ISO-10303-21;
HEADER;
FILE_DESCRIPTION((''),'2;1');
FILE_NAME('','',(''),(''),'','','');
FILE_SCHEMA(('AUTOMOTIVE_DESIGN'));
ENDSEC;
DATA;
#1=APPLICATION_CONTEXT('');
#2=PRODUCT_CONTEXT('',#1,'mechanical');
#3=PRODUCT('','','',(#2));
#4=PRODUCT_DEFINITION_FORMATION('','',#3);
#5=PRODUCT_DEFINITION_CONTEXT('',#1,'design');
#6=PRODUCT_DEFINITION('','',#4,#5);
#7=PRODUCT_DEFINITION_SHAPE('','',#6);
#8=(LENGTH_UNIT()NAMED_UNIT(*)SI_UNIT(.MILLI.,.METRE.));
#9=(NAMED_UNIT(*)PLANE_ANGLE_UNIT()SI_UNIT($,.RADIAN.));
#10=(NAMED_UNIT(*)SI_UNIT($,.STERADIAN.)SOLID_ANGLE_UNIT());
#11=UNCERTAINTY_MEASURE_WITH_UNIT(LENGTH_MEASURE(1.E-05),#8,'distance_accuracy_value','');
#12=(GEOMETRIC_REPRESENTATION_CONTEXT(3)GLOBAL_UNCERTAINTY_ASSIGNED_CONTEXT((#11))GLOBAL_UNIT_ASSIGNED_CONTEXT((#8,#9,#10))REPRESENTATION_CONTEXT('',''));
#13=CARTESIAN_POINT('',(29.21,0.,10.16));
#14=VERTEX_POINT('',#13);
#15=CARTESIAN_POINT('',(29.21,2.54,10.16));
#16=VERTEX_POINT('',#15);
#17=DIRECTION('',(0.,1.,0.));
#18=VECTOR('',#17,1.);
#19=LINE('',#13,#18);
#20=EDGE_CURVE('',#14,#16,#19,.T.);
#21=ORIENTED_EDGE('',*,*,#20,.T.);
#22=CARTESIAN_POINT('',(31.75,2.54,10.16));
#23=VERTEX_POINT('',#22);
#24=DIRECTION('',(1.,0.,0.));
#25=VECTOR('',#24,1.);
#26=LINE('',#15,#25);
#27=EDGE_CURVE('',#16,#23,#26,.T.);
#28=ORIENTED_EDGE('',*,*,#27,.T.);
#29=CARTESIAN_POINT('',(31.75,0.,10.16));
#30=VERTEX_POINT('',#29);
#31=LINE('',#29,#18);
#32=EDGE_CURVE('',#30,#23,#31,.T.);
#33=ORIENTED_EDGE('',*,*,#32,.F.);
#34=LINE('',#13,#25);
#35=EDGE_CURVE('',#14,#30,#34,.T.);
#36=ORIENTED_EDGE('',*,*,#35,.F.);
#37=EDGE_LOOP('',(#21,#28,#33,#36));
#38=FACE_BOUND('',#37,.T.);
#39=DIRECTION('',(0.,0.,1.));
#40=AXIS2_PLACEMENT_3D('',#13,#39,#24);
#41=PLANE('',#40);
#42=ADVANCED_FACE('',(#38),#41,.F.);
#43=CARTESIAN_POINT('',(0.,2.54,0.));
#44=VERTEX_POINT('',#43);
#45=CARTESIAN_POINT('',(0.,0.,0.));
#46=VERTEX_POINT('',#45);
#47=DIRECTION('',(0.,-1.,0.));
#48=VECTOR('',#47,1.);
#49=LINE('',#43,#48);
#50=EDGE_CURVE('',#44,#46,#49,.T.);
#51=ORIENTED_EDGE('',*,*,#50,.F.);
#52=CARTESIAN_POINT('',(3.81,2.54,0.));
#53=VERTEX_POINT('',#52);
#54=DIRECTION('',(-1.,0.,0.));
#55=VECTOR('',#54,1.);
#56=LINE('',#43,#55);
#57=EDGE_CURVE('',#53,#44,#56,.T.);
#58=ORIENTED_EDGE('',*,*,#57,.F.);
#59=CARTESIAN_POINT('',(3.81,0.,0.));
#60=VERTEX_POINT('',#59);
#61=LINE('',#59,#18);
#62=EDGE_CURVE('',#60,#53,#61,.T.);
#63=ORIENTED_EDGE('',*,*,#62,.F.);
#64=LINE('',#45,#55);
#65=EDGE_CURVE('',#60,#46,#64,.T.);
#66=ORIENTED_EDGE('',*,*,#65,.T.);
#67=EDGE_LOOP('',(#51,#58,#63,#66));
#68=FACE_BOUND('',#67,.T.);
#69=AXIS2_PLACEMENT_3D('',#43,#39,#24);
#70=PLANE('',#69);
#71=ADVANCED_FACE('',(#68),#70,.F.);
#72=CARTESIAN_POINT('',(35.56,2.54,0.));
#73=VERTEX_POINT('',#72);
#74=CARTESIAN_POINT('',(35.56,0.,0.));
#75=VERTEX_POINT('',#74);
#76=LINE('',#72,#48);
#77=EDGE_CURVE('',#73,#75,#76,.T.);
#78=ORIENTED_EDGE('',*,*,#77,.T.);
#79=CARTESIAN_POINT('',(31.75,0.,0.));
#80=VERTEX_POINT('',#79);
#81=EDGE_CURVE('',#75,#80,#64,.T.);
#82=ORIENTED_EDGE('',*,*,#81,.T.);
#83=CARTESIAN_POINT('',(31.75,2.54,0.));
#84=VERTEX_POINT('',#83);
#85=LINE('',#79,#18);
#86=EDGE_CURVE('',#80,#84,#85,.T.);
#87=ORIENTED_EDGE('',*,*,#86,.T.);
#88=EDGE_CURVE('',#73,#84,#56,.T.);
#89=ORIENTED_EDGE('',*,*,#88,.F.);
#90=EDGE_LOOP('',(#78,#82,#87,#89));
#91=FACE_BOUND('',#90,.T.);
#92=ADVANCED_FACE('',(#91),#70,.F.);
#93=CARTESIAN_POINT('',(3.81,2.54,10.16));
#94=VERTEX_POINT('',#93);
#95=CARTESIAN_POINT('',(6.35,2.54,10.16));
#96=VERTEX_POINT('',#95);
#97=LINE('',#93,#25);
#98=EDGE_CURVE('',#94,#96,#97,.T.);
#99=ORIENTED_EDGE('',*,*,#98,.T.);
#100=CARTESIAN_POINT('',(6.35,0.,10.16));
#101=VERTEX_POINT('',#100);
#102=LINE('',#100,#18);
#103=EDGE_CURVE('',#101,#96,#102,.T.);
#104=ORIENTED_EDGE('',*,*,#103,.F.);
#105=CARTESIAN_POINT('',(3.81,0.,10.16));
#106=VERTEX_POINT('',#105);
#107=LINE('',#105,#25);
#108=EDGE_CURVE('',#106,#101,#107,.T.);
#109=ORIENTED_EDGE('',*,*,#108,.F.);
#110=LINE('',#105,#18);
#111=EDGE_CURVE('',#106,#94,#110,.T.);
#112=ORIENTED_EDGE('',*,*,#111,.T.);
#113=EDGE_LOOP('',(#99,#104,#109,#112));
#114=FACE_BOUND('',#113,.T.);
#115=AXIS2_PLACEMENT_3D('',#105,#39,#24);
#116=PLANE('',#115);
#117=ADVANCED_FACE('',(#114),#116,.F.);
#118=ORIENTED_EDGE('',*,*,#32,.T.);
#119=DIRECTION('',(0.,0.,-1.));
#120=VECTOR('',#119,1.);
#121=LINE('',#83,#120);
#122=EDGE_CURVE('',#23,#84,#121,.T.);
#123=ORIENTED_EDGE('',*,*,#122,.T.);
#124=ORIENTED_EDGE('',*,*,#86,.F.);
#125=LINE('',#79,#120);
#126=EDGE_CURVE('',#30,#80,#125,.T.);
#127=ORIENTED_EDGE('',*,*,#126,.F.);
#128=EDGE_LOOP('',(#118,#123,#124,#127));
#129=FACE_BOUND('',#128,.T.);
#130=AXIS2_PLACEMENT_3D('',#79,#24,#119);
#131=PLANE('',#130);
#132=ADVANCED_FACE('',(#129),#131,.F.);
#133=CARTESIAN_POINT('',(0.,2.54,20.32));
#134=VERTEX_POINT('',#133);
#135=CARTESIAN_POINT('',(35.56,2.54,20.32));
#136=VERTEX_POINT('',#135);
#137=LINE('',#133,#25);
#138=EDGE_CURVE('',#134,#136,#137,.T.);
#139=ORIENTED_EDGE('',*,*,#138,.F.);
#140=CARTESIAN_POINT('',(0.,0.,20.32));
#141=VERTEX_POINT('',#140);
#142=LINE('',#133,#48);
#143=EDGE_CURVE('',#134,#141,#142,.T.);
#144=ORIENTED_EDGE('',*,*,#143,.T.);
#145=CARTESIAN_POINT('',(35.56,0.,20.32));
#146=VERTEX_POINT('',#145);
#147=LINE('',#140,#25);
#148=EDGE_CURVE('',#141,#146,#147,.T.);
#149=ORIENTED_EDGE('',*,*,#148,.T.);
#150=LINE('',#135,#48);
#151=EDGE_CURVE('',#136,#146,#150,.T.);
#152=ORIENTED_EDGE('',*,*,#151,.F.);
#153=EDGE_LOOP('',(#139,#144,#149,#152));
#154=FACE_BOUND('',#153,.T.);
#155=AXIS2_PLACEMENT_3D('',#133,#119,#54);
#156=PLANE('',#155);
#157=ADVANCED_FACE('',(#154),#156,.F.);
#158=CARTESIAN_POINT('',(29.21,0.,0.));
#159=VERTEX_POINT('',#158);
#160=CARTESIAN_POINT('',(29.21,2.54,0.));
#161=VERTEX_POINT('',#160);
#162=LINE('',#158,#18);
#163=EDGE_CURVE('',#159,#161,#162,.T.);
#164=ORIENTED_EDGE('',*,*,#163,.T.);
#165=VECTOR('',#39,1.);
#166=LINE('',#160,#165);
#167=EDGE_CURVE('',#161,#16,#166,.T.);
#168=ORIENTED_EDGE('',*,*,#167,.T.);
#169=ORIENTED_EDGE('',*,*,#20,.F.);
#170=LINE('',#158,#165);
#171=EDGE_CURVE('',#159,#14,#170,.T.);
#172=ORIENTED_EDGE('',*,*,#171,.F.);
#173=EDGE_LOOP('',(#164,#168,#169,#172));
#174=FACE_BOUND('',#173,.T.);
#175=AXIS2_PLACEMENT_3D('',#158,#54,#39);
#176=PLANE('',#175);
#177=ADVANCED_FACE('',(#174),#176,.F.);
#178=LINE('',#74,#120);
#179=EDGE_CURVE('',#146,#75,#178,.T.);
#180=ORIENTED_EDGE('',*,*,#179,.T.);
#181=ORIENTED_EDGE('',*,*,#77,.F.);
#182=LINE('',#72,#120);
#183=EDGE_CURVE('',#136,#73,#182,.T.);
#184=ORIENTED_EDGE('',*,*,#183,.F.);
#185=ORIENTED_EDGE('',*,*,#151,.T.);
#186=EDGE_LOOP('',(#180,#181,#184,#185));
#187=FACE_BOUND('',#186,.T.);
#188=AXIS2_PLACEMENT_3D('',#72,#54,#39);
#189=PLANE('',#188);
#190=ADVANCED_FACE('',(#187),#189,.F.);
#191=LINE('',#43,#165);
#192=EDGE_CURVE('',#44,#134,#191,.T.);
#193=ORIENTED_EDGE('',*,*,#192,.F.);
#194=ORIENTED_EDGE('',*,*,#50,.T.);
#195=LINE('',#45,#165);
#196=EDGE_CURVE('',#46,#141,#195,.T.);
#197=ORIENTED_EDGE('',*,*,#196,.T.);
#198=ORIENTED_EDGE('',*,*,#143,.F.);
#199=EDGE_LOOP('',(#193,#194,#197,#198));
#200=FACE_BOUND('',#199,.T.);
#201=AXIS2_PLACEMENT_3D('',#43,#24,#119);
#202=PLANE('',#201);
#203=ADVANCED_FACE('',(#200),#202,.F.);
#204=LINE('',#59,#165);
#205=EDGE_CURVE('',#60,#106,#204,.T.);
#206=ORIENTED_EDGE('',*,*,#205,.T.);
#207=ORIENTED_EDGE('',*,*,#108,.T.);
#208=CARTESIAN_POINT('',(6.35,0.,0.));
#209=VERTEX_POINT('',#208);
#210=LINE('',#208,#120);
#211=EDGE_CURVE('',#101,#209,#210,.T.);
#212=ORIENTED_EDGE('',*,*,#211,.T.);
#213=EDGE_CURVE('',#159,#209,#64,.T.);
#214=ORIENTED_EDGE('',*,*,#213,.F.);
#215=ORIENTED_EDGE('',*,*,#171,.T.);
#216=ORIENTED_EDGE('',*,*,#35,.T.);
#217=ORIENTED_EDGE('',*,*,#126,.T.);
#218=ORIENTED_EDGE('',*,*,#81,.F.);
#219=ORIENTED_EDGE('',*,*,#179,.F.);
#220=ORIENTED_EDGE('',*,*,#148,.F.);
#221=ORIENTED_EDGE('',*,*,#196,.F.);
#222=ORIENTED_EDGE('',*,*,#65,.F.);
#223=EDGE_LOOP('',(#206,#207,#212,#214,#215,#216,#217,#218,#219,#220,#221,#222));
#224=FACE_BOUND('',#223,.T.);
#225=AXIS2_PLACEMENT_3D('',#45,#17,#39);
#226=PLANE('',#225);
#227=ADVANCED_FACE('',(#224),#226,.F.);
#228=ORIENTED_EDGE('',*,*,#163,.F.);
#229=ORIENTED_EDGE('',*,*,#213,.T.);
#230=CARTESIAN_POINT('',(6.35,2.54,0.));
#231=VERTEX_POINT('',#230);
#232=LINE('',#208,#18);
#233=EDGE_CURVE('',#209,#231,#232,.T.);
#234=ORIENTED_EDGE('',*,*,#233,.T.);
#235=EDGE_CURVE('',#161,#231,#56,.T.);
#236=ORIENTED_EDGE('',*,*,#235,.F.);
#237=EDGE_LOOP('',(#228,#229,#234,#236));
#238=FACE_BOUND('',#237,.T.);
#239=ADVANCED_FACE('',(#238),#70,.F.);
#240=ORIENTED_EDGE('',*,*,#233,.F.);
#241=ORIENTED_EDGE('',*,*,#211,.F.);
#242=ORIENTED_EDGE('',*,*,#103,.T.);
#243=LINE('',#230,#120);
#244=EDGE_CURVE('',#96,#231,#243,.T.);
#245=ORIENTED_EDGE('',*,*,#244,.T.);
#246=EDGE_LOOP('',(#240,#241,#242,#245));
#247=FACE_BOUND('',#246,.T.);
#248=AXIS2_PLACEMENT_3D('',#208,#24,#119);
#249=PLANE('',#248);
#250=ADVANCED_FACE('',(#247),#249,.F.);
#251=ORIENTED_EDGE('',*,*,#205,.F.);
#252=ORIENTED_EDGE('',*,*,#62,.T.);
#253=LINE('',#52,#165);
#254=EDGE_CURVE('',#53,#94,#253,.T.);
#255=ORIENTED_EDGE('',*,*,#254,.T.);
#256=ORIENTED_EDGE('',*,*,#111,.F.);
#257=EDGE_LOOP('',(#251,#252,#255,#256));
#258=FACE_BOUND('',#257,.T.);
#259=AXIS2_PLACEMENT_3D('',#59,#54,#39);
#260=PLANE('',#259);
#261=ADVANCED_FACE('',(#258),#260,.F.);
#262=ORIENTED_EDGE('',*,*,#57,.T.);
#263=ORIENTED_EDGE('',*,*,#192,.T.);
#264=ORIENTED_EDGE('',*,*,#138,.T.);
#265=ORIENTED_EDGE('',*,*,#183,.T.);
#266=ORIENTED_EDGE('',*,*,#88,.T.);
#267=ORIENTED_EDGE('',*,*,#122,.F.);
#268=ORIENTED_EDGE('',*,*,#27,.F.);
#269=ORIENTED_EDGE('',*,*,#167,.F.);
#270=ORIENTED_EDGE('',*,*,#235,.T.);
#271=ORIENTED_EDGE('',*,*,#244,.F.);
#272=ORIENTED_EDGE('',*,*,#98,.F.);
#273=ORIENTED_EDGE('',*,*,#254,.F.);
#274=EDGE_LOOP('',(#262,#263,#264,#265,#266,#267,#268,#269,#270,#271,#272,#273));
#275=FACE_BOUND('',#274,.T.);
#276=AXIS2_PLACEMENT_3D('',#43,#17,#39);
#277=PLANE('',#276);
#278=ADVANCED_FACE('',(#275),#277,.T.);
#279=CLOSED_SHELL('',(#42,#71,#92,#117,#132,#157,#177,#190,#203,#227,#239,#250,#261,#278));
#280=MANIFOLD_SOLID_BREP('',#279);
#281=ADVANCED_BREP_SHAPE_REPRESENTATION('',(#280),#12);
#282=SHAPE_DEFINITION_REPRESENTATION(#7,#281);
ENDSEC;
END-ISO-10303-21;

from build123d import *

# Parameters (mm, degrees)
SKETCH1_W           = 35.56
SKETCH1_H           = 20.32
BOSS_EXTRUDE1_DEPTH = 2.54
SKETCH2_W           = 2.54
SKETCH2_H           = 10.16
CUT_EXTRUDE1_DEPTH  = 3.54


with BuildPart() as part:
    # Sketch1 → Boss-Extrude1 (new body)
    with BuildSketch(Plane(origin=(0, 0, 0), x_dir=(1, 0, 0), z_dir=(0, 1, 0))):
        with Locations((17.78, -10.16)):
            Rectangle(SKETCH1_W, SKETCH1_H)
    extrude(amount=BOSS_EXTRUDE1_DEPTH)

    # Sketch2 → Cut-Extrude1 (cut, through all)
    with BuildSketch(Plane(origin=(0, 2.54, 0), x_dir=(1, 0, 0), z_dir=(0, 1, 0))):
        with Locations((5.08, -5.08)):
            Rectangle(SKETCH2_W, SKETCH2_H)
        with Locations((30.48, -5.08)):
            Rectangle(SKETCH2_W, SKETCH2_H)
    extrude(amount=-CUT_EXTRUDE1_DEPTH, mode=Mode.SUBTRACT)


solid = part.part
